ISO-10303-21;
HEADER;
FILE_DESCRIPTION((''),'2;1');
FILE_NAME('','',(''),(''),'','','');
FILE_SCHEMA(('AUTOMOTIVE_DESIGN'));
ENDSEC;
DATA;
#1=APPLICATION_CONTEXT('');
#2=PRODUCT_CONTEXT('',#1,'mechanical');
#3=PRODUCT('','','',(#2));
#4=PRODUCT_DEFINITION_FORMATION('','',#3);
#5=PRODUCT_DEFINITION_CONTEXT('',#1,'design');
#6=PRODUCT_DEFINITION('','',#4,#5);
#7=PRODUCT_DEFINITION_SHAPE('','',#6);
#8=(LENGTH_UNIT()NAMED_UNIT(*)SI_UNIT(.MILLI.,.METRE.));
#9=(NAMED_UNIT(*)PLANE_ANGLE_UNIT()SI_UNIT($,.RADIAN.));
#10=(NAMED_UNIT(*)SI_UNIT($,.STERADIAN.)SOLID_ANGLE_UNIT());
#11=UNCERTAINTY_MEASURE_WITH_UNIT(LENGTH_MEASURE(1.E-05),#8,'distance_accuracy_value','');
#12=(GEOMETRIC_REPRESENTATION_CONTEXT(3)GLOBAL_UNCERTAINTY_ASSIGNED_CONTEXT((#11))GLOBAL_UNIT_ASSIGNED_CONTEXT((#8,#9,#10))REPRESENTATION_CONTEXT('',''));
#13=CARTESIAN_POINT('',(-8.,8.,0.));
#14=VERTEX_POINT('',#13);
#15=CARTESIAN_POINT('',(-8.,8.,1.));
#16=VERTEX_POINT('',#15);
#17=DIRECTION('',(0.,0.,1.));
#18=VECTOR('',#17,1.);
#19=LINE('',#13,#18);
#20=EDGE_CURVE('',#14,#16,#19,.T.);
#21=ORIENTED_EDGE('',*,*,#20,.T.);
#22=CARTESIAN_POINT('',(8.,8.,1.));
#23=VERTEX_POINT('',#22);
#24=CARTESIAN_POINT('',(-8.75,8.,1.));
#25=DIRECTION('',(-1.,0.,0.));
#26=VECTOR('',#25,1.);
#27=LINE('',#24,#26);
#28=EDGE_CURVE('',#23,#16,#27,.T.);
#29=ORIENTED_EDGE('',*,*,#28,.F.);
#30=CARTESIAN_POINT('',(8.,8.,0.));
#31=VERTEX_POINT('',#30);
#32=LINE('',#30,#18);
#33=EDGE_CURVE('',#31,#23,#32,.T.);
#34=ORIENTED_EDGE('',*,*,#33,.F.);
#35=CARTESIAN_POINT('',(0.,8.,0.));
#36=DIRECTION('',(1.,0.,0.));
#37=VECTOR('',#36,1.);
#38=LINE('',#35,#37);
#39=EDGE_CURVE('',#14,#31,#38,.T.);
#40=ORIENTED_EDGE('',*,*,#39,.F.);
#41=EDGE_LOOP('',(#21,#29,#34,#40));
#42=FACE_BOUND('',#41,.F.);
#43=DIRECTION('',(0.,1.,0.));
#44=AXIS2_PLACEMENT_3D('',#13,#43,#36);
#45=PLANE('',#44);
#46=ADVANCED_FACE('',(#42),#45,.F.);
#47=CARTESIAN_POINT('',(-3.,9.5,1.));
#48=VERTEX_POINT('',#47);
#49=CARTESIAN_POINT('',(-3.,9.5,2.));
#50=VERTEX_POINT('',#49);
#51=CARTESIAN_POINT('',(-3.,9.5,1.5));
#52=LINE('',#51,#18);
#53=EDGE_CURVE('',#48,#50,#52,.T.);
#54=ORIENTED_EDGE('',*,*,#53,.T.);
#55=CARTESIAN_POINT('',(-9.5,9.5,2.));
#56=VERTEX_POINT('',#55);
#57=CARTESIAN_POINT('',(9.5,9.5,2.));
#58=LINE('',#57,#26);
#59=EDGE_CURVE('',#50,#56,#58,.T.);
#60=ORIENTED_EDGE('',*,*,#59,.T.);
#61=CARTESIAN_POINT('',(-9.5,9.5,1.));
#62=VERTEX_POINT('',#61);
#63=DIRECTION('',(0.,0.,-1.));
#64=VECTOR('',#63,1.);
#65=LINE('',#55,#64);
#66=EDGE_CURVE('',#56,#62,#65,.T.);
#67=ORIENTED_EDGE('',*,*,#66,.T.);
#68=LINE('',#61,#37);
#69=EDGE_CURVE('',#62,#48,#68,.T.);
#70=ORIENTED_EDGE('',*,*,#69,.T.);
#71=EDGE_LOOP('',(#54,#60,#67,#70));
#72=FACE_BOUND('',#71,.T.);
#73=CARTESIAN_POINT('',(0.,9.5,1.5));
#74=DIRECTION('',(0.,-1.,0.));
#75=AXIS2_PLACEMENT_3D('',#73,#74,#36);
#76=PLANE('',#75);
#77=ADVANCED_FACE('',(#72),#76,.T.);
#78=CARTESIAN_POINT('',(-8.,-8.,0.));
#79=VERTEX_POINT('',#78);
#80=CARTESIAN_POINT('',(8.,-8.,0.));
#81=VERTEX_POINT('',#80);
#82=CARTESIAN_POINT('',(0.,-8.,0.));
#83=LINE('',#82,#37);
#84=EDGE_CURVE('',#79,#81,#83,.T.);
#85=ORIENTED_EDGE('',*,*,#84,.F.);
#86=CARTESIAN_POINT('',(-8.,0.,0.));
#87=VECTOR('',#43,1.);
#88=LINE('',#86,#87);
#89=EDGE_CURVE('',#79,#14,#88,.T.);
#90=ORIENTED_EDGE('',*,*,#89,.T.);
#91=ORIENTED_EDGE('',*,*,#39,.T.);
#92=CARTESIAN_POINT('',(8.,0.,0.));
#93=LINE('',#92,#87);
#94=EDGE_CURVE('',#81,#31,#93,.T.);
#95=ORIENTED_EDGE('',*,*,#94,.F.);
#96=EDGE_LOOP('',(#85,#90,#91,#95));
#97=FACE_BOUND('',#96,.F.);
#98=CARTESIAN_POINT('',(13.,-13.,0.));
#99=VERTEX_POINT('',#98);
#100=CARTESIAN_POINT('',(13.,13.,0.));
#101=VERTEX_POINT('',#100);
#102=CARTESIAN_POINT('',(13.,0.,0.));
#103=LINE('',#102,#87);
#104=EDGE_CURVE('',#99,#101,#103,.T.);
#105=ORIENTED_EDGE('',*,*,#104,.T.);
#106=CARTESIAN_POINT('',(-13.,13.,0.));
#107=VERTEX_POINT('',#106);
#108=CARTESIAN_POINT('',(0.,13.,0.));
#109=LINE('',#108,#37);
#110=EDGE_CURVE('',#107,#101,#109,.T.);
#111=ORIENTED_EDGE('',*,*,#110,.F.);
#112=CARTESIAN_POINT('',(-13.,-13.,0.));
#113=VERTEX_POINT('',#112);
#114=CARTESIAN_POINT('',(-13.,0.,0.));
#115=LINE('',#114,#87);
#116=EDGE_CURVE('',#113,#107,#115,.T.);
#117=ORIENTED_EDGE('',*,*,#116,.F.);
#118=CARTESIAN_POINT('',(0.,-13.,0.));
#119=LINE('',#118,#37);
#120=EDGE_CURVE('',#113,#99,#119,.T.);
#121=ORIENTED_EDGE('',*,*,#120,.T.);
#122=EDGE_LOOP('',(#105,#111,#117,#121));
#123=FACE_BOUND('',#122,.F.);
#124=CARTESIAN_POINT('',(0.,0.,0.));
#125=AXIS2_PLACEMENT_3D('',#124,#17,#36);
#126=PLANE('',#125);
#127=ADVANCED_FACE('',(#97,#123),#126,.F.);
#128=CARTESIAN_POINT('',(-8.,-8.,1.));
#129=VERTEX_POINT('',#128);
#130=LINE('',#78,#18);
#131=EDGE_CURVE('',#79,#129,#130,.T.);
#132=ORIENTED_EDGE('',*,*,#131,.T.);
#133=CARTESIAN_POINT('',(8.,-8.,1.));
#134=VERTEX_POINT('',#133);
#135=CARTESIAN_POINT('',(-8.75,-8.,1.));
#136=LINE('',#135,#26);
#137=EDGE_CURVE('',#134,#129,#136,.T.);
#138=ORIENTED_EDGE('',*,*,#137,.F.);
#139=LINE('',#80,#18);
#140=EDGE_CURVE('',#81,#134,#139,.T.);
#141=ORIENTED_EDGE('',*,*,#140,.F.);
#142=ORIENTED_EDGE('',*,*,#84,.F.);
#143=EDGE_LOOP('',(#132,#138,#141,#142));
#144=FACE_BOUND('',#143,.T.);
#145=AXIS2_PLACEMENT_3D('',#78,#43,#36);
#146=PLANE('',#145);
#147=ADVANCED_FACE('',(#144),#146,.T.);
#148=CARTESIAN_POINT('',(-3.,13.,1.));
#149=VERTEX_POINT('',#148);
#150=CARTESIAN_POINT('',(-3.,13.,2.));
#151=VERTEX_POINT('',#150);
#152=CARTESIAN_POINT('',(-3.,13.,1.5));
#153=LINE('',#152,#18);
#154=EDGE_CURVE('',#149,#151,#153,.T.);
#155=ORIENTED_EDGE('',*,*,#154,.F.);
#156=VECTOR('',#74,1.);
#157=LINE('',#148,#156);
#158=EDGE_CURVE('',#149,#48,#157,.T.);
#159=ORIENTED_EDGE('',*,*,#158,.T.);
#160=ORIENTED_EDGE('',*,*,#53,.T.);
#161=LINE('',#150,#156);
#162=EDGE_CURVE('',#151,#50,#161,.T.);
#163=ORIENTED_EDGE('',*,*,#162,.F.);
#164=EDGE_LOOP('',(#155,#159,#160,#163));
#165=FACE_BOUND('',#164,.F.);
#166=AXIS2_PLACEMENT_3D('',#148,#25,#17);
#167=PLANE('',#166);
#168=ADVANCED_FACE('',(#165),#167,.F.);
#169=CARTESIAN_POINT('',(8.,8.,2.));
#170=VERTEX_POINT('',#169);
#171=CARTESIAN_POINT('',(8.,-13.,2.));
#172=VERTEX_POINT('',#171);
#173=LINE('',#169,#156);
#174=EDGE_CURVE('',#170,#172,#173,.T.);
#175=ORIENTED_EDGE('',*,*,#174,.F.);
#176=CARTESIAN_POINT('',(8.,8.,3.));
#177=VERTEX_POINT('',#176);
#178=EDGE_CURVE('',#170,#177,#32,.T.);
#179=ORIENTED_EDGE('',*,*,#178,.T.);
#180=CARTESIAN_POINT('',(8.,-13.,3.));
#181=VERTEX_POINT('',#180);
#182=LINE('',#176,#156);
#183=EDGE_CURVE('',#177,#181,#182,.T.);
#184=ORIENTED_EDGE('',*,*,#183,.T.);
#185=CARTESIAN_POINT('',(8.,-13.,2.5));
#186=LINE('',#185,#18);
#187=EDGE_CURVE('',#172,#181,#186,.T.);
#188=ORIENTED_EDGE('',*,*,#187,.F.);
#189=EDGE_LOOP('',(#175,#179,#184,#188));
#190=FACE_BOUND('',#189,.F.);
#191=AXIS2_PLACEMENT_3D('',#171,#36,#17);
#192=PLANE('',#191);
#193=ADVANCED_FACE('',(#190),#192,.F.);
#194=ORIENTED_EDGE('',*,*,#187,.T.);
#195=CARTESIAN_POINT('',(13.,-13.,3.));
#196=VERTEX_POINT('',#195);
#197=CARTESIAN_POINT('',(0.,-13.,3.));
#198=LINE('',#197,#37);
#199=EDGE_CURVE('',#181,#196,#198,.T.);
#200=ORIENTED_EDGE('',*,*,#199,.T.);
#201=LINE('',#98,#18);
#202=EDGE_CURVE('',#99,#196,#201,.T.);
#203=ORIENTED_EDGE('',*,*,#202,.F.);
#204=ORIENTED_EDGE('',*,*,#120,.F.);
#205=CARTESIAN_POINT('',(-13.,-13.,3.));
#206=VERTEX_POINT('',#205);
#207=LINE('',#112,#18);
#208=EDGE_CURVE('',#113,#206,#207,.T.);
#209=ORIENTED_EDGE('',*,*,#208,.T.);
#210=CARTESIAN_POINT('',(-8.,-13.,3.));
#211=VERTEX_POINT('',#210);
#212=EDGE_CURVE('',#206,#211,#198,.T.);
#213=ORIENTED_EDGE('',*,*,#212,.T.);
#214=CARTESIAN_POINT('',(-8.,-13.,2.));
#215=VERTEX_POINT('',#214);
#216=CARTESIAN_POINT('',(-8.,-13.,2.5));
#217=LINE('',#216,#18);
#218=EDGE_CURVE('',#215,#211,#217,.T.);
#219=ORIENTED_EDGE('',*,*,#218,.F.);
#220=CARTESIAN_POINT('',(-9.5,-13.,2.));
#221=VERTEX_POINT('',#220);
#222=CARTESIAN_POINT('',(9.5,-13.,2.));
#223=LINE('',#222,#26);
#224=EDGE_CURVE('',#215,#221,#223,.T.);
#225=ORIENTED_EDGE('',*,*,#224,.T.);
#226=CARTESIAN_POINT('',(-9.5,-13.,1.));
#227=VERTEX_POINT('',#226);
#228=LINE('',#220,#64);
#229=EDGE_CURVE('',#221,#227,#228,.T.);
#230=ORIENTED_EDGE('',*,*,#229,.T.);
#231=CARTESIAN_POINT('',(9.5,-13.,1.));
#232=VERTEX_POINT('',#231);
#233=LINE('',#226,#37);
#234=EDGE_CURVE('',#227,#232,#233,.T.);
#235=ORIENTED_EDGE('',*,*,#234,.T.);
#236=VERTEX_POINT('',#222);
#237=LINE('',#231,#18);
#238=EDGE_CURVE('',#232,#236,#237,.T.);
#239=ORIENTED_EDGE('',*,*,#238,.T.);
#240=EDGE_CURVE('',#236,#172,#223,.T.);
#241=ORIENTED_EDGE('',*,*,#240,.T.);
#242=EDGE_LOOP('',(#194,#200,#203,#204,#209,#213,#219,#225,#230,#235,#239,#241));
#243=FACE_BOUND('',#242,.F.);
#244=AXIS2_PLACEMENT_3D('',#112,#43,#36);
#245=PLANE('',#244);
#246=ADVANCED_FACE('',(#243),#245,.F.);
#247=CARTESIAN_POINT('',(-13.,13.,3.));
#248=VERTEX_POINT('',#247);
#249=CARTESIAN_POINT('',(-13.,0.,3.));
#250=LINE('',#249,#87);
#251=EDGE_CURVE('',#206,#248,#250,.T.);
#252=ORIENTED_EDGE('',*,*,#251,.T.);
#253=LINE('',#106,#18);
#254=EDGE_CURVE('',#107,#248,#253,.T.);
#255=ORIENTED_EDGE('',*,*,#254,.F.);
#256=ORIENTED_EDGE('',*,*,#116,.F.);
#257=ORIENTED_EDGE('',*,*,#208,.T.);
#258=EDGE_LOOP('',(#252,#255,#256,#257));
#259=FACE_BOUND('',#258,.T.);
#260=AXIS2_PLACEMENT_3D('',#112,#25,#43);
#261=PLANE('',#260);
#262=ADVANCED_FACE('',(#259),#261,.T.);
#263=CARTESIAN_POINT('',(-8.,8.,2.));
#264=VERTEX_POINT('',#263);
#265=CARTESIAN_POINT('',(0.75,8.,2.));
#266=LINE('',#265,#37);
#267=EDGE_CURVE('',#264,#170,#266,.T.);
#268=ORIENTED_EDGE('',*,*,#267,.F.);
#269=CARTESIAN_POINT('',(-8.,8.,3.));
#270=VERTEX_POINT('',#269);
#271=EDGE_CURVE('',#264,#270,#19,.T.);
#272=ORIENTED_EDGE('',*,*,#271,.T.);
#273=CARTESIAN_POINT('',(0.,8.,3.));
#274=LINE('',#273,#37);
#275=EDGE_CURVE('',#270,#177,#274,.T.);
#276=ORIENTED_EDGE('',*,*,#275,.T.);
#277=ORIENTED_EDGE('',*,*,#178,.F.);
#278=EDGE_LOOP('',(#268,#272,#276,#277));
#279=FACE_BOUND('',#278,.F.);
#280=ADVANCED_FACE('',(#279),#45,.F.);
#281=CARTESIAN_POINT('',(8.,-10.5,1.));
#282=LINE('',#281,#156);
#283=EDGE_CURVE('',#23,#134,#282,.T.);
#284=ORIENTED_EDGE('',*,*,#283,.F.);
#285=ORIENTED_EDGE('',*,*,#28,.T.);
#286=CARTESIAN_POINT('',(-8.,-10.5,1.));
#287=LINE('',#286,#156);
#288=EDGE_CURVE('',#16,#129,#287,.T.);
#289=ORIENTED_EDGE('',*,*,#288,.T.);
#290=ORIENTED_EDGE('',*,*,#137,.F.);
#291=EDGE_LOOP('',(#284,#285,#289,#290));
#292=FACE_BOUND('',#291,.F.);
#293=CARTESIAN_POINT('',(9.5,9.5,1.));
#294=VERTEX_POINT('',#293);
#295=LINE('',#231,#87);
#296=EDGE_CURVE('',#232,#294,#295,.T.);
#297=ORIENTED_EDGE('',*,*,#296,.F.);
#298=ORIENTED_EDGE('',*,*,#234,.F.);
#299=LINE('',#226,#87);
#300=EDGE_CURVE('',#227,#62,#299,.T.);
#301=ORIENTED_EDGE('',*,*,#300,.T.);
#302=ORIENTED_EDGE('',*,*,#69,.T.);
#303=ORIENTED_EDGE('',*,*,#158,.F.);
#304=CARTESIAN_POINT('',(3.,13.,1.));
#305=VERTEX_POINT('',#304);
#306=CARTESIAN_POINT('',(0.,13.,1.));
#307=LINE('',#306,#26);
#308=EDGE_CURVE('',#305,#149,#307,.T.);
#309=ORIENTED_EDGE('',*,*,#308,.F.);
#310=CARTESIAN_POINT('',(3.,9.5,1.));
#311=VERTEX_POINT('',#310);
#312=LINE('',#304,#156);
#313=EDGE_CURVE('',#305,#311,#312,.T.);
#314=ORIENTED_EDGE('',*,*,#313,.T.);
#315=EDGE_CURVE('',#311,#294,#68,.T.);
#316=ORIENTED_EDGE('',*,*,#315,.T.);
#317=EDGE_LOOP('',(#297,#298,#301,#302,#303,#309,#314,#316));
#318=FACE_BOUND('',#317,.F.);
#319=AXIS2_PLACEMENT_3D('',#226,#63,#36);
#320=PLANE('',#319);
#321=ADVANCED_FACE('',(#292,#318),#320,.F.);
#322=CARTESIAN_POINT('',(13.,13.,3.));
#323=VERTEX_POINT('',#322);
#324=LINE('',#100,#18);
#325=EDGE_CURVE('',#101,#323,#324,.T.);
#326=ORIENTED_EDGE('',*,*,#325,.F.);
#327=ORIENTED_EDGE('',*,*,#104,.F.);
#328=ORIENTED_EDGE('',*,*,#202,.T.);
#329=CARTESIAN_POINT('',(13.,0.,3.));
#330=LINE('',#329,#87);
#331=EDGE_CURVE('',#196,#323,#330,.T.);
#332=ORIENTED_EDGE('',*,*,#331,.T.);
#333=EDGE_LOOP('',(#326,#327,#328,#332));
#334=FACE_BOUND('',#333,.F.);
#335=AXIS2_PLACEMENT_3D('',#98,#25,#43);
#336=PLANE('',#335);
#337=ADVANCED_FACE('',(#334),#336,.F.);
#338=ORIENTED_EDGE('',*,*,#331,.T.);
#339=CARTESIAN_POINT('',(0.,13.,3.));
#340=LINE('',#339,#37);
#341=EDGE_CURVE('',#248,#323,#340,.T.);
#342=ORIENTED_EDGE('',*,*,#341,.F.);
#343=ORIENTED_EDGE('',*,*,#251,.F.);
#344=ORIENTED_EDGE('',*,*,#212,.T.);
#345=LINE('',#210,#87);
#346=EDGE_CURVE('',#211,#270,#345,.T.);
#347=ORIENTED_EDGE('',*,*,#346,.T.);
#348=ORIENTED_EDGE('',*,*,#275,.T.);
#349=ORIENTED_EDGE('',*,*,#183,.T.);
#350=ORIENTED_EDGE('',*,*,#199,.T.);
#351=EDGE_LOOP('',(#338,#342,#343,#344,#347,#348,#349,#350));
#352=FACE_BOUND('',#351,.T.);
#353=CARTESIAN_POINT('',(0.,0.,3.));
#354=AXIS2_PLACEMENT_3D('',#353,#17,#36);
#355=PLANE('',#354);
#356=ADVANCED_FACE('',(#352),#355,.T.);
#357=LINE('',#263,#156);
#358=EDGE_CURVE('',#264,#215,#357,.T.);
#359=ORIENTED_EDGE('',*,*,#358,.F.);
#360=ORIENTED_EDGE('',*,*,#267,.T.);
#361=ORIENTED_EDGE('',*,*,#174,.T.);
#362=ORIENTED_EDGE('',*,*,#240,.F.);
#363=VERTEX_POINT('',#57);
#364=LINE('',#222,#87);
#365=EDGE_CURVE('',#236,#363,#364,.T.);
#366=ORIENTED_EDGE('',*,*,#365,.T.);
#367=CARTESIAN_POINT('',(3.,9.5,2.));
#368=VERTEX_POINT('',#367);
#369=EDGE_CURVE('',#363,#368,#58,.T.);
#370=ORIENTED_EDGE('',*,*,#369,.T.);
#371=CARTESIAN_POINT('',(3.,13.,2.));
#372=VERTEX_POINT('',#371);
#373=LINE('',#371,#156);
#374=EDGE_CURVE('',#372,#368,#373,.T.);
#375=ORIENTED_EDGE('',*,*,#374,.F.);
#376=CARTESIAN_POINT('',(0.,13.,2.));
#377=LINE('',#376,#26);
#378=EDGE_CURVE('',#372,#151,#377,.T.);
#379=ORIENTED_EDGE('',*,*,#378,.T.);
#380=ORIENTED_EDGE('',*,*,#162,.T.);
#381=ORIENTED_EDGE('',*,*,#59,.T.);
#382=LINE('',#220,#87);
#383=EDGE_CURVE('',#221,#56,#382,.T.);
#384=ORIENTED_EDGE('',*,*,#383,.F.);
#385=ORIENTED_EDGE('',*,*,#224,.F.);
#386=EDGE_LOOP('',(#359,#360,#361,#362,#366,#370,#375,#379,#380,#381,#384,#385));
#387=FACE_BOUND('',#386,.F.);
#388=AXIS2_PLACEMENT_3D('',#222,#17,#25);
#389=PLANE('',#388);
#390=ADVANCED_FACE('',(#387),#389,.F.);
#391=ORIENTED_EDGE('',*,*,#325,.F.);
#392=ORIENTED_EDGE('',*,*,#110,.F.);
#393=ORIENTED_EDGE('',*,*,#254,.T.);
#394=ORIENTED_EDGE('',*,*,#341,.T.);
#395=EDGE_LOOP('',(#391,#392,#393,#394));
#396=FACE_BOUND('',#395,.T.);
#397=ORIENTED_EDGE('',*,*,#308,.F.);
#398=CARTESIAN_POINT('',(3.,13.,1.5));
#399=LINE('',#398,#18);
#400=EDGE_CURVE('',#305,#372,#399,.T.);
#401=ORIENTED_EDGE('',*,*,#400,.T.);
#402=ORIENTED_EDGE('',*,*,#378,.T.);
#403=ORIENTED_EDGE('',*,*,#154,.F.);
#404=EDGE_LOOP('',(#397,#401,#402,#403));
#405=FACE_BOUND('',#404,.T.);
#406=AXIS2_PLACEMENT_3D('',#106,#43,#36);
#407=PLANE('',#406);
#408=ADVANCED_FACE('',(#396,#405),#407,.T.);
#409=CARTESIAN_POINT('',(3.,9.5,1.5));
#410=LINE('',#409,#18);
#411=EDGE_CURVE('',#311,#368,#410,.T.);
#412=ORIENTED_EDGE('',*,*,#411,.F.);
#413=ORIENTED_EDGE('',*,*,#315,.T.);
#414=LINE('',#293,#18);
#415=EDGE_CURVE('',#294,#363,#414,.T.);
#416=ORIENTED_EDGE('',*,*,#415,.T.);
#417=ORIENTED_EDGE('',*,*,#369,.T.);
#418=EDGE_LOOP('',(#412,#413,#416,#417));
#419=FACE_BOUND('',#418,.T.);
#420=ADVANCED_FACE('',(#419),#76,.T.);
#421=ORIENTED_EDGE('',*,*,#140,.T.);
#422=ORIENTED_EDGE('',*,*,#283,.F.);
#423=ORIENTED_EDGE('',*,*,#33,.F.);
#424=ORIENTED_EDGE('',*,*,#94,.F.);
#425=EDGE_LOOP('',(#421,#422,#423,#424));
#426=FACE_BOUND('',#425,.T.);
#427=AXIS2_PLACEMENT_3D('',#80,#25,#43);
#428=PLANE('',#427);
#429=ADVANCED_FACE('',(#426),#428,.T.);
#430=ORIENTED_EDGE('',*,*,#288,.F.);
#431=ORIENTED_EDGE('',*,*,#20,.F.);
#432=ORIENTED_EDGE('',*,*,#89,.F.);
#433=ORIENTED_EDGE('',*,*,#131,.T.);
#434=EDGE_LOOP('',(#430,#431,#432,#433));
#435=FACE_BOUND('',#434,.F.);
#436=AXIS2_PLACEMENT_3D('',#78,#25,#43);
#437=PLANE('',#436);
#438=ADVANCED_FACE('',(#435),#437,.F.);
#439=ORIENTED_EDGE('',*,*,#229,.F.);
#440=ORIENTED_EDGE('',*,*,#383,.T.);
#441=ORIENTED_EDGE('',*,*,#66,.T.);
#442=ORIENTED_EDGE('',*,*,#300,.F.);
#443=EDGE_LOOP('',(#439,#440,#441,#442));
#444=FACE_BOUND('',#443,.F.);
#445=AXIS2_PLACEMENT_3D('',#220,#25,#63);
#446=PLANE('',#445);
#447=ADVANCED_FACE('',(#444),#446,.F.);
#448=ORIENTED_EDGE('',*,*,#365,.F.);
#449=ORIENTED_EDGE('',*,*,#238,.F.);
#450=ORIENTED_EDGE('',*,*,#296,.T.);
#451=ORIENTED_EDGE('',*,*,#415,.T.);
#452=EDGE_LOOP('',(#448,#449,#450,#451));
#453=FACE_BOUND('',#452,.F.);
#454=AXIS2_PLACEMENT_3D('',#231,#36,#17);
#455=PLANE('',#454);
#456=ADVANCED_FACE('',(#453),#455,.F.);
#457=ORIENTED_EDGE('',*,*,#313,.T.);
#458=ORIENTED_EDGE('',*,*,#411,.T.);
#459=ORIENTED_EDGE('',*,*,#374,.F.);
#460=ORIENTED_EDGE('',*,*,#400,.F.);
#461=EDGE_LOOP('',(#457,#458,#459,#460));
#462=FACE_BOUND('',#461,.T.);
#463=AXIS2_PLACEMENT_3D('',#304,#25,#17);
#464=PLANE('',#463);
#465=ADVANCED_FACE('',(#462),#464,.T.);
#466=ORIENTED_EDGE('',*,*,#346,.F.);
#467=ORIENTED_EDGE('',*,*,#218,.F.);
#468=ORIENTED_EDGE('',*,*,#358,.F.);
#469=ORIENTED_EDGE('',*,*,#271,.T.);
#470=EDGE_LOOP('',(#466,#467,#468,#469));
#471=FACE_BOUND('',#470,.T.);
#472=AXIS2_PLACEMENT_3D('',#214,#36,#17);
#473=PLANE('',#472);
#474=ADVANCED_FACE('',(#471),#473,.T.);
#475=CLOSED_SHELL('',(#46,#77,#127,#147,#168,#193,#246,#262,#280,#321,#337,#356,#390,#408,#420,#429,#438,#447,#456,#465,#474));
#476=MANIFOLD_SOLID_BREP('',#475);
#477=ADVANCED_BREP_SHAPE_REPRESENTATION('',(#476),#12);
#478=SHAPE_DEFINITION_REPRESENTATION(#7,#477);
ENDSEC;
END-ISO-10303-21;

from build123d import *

# Parameters (mm, degrees)
F0_W     = 26
F0_H     = 26
F0_W_2   = 16
F0_H_2   = 16
F1_DEPTH = 3
F3_DEPTH = 22.5
F2_W     = 16
F2_H     = 1
F4_DEPTH = 5
F5_W     = 6
F5_H     = 1
F6_DEPTH = 3.5


with BuildPart() as f1:
    # F0 (on Top) → F1 (new body)
    with BuildSketch(Plane.XY):
        Rectangle(F0_W, F0_H)
        Rectangle(F0_W_2, F0_H_2, mode=Mode.SUBTRACT)
    extrude(amount=F1_DEPTH)

    # F2 (on face) → F3 (cut)
    with BuildSketch(Plane.XZ.offset(13)):
        Polygon((-8, 2), (-9.5, 2), (-9.5, 1), (9.5, 1), (9.5, 2), (8, 2), align=None)
    extrude(amount=-F3_DEPTH, mode=Mode.SUBTRACT)

    # F2 (on face) → F4 (cut, through all)
    with BuildSketch(Plane.XZ.offset(13)):
        with Locations((0, 2.5)):
            Rectangle(F2_W, F2_H)
    extrude(amount=-F4_DEPTH, mode=Mode.SUBTRACT)

    # F5 (on face) → F6 (cut, through all)
    with BuildSketch(Plane(origin=(0, 13, 0), x_dir=(-1, 0, 0), z_dir=(0, 1, 0))):
        with Locations((0, 1.5)):
            Rectangle(F5_W, F5_H)
    extrude(amount=-F6_DEPTH, mode=Mode.SUBTRACT)


solid = f1.part
